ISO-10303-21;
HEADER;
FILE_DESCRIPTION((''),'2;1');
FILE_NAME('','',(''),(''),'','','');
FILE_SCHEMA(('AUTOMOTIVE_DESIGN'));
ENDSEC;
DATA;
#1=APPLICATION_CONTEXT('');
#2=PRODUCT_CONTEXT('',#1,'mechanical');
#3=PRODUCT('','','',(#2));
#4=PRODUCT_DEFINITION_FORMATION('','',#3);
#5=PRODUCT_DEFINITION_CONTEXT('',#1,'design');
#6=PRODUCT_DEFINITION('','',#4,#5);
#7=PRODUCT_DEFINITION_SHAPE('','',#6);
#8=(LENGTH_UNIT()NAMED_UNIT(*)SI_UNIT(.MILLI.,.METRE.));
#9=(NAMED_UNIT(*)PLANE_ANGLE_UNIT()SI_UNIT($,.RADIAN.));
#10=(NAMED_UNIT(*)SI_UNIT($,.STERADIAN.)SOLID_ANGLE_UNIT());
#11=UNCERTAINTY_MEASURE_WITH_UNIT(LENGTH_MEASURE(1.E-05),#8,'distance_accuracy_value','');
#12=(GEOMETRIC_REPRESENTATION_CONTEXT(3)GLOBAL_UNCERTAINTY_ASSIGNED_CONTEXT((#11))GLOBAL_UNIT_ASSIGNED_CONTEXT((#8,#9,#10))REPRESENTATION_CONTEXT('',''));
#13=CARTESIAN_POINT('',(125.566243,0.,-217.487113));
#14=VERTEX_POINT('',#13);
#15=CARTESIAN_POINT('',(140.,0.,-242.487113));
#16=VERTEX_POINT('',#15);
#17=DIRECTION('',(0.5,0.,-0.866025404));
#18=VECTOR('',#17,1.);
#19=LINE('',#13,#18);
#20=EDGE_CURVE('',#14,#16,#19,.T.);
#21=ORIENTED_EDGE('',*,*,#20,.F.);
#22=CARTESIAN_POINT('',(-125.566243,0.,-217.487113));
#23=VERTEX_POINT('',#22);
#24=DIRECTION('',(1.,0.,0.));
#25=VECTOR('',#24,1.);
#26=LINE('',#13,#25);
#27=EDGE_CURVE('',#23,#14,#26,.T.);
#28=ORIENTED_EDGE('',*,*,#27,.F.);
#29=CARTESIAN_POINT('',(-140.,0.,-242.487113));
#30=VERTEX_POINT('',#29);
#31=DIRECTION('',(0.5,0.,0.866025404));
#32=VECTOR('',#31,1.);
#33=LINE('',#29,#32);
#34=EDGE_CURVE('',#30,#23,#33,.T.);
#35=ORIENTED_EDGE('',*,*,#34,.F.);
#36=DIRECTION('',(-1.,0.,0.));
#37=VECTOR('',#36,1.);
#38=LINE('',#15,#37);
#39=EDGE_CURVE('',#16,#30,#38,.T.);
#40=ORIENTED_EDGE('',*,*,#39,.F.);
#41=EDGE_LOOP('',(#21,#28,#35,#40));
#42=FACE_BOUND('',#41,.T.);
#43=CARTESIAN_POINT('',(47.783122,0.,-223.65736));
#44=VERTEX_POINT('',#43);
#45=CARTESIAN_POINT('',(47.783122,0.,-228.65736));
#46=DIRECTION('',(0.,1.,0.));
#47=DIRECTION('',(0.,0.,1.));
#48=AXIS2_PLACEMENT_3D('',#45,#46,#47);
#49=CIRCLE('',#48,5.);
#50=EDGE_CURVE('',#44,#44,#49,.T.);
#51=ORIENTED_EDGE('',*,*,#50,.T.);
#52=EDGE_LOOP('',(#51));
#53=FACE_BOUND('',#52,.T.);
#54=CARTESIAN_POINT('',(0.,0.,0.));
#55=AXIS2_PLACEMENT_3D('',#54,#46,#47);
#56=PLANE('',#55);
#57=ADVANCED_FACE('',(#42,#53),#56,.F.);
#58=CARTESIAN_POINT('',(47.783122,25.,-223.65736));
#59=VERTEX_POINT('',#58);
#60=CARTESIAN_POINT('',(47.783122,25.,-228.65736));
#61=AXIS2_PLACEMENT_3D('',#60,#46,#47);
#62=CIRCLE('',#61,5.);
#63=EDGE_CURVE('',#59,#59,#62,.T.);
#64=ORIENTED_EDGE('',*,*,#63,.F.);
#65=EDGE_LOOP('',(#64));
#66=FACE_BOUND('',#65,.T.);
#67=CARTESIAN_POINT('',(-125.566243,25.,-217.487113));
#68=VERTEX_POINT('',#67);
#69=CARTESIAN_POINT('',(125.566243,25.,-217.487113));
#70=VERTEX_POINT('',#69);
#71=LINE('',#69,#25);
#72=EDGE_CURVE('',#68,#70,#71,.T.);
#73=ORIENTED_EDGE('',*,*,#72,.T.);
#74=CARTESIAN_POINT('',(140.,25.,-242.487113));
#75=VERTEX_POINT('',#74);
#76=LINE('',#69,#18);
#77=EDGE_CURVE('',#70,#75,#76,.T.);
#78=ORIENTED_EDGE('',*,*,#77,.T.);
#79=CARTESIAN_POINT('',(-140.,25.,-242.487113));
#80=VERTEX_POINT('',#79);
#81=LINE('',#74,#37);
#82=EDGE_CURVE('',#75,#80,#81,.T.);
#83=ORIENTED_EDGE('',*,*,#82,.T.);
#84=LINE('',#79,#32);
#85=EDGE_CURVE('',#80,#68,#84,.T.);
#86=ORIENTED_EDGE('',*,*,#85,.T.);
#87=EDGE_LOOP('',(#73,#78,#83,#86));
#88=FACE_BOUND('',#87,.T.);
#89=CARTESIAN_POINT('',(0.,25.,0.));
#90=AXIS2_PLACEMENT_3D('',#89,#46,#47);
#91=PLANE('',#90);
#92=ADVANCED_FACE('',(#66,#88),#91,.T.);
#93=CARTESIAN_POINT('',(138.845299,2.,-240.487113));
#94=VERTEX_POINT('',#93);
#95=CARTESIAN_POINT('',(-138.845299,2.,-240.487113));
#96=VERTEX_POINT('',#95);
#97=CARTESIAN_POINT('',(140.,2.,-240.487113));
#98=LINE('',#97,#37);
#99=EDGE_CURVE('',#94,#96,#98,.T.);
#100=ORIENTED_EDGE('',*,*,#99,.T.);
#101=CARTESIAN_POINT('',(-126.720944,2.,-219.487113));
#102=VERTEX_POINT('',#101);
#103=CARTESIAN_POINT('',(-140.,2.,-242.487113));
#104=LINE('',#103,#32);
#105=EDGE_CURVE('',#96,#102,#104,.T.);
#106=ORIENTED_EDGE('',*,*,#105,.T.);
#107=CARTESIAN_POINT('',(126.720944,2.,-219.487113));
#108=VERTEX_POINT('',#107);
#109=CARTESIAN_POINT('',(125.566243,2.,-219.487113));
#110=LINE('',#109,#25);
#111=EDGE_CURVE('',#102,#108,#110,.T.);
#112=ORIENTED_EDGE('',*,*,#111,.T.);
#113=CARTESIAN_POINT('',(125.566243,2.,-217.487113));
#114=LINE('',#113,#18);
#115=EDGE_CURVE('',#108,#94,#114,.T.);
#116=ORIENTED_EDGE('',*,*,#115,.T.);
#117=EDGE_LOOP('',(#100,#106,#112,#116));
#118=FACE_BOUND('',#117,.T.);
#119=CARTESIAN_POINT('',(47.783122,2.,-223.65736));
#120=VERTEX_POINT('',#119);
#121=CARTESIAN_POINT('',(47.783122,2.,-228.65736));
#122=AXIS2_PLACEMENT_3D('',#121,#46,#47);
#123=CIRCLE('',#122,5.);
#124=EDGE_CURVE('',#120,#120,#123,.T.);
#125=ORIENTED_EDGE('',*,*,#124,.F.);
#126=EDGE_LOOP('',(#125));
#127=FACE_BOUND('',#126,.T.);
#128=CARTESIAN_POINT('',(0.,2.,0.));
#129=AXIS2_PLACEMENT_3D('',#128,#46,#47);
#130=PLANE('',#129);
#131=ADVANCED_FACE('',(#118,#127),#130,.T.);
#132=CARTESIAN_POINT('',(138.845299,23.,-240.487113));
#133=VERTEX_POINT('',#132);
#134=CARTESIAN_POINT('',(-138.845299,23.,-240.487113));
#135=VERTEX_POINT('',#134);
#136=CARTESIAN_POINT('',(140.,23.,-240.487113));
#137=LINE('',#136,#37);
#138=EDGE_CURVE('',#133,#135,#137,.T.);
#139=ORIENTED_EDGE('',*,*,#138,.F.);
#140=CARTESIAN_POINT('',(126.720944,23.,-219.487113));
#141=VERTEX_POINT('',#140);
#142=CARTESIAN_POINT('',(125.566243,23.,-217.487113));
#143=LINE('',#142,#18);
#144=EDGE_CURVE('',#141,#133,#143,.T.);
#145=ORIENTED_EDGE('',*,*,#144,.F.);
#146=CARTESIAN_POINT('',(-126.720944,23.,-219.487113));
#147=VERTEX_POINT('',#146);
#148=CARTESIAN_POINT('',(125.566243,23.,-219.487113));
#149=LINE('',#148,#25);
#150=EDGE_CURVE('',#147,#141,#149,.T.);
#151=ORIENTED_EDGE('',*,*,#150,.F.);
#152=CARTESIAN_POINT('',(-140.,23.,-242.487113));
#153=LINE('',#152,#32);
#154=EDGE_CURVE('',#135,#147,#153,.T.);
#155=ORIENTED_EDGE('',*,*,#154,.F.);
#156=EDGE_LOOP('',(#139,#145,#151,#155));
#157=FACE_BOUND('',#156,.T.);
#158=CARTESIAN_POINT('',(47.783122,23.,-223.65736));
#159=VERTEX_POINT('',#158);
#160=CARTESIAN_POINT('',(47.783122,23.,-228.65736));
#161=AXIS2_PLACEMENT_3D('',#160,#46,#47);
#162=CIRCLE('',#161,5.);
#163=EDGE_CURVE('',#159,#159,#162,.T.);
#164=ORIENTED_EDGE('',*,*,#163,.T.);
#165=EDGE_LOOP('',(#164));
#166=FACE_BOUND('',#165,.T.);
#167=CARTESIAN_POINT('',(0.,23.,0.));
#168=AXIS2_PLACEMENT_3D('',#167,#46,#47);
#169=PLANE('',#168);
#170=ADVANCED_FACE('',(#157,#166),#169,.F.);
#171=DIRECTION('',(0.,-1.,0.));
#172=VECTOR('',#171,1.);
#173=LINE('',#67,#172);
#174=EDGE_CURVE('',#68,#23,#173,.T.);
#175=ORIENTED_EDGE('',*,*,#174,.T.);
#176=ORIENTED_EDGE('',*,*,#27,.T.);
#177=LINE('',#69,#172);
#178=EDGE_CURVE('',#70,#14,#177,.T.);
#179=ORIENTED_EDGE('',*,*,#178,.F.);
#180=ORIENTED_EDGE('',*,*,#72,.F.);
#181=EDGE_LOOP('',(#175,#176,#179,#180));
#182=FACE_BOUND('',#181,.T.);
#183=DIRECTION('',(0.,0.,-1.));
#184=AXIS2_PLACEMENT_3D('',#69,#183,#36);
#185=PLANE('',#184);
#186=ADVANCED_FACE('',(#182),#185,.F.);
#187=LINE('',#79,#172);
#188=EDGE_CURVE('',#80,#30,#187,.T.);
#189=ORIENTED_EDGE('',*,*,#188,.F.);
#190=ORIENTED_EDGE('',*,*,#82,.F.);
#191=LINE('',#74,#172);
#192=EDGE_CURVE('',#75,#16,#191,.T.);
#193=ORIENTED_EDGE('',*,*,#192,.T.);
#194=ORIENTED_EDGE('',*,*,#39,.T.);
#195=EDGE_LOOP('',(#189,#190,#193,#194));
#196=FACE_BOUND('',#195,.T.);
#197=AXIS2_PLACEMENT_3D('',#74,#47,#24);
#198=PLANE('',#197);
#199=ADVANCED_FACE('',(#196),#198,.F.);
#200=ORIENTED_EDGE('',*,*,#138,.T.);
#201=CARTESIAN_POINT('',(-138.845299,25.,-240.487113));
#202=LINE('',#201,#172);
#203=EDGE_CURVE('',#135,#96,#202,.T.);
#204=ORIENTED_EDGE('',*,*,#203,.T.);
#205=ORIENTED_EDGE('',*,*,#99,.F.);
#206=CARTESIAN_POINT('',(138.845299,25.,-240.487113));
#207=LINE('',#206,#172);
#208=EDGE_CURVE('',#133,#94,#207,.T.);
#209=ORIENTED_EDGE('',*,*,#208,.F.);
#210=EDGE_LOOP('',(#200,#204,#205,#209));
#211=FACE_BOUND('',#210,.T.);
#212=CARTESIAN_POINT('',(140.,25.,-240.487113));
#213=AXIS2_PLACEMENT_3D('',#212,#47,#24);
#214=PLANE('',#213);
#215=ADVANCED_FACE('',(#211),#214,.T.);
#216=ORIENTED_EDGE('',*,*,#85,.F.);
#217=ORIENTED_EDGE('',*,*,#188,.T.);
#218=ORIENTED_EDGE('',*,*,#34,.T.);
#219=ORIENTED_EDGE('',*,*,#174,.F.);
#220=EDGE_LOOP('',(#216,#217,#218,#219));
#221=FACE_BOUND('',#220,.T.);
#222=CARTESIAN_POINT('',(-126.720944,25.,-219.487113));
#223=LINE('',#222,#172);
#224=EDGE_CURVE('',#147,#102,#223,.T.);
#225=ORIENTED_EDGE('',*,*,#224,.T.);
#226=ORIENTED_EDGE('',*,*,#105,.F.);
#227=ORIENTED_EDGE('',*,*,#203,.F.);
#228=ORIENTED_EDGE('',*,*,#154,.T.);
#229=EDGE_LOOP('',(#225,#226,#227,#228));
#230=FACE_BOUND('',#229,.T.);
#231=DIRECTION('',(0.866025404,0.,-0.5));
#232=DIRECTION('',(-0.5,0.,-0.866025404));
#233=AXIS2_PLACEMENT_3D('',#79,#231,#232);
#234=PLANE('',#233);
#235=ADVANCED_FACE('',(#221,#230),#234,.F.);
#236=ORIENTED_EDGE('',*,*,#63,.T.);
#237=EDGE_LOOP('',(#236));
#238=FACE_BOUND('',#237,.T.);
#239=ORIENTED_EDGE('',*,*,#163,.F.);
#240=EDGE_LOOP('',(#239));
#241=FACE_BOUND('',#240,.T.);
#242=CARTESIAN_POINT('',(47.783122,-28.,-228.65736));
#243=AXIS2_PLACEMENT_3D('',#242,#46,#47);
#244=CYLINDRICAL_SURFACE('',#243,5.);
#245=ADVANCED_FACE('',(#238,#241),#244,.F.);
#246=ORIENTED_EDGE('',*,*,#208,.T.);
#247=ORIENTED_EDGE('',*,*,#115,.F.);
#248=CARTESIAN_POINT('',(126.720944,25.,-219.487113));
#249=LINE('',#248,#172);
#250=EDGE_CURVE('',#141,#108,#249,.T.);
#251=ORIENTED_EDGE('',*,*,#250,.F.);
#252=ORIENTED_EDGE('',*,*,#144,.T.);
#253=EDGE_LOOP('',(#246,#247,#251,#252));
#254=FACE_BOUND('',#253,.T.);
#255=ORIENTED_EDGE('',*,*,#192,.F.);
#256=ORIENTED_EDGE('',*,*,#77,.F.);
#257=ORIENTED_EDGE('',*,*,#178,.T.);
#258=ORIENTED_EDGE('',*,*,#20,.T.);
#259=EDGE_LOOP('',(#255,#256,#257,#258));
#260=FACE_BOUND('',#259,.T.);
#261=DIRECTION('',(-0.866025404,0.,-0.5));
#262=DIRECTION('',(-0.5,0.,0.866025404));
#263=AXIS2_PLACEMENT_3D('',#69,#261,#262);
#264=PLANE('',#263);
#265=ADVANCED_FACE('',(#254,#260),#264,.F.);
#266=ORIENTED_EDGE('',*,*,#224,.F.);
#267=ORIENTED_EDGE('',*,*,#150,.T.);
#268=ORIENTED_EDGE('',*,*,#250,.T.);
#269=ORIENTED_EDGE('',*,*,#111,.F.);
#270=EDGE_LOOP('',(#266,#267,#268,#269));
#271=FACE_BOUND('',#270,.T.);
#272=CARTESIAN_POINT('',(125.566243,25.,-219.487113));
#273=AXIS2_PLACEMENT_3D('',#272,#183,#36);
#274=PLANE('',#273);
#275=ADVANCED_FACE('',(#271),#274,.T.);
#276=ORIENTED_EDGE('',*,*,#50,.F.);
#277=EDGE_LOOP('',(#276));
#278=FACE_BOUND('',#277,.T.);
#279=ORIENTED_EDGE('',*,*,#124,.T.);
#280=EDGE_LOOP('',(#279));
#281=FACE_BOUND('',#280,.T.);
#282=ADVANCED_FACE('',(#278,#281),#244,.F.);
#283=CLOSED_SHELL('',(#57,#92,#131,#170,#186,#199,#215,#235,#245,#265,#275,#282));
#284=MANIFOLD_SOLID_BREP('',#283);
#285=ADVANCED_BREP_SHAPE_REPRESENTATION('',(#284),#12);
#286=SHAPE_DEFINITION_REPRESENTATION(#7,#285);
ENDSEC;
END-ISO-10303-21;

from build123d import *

# Parameters (mm, degrees)
BOSS_EXTRUDE1_DEPTH = 25
SHELL1_T            = -2
SKETCH2_R           = 5
CUT_EXTRUDE1_DEPTH  = 53


with BuildPart() as part:
    # Sketch1 → Boss-Extrude1 (new body)
    with BuildSketch(Plane(origin=(0, 0, 0), x_dir=(1, 0, 0), z_dir=(0, 1, 0))):
        Polygon((125.56624327, 217.48711306), (-125.56624327, 217.48711306), (-140, 242.48711306), (140, 242.48711306), align=None)
    extrude(amount=BOSS_EXTRUDE1_DEPTH)

    # Shell1
    shell1_openings = [part.faces().sort_by_distance(p)[0] for p in [
        (-132.783121635, 12.5, -229.98711306),
        (132.783121635, 12.5, -229.98711306),
    ]]
    offset(amount=SHELL1_T, openings=shell1_openings, kind=Kind.INTERSECTION)

    # Sketch2 → Cut-Extrude1 (cut)
    with BuildSketch(Plane(origin=(0, 25, 0), x_dir=(1, 0, 0), z_dir=(0, 1, 0))):
        with Locations((47.783121635, 228.657359562)):
            Circle(SKETCH2_R)
    extrude(amount=-CUT_EXTRUDE1_DEPTH, mode=Mode.SUBTRACT)


solid = part.part
